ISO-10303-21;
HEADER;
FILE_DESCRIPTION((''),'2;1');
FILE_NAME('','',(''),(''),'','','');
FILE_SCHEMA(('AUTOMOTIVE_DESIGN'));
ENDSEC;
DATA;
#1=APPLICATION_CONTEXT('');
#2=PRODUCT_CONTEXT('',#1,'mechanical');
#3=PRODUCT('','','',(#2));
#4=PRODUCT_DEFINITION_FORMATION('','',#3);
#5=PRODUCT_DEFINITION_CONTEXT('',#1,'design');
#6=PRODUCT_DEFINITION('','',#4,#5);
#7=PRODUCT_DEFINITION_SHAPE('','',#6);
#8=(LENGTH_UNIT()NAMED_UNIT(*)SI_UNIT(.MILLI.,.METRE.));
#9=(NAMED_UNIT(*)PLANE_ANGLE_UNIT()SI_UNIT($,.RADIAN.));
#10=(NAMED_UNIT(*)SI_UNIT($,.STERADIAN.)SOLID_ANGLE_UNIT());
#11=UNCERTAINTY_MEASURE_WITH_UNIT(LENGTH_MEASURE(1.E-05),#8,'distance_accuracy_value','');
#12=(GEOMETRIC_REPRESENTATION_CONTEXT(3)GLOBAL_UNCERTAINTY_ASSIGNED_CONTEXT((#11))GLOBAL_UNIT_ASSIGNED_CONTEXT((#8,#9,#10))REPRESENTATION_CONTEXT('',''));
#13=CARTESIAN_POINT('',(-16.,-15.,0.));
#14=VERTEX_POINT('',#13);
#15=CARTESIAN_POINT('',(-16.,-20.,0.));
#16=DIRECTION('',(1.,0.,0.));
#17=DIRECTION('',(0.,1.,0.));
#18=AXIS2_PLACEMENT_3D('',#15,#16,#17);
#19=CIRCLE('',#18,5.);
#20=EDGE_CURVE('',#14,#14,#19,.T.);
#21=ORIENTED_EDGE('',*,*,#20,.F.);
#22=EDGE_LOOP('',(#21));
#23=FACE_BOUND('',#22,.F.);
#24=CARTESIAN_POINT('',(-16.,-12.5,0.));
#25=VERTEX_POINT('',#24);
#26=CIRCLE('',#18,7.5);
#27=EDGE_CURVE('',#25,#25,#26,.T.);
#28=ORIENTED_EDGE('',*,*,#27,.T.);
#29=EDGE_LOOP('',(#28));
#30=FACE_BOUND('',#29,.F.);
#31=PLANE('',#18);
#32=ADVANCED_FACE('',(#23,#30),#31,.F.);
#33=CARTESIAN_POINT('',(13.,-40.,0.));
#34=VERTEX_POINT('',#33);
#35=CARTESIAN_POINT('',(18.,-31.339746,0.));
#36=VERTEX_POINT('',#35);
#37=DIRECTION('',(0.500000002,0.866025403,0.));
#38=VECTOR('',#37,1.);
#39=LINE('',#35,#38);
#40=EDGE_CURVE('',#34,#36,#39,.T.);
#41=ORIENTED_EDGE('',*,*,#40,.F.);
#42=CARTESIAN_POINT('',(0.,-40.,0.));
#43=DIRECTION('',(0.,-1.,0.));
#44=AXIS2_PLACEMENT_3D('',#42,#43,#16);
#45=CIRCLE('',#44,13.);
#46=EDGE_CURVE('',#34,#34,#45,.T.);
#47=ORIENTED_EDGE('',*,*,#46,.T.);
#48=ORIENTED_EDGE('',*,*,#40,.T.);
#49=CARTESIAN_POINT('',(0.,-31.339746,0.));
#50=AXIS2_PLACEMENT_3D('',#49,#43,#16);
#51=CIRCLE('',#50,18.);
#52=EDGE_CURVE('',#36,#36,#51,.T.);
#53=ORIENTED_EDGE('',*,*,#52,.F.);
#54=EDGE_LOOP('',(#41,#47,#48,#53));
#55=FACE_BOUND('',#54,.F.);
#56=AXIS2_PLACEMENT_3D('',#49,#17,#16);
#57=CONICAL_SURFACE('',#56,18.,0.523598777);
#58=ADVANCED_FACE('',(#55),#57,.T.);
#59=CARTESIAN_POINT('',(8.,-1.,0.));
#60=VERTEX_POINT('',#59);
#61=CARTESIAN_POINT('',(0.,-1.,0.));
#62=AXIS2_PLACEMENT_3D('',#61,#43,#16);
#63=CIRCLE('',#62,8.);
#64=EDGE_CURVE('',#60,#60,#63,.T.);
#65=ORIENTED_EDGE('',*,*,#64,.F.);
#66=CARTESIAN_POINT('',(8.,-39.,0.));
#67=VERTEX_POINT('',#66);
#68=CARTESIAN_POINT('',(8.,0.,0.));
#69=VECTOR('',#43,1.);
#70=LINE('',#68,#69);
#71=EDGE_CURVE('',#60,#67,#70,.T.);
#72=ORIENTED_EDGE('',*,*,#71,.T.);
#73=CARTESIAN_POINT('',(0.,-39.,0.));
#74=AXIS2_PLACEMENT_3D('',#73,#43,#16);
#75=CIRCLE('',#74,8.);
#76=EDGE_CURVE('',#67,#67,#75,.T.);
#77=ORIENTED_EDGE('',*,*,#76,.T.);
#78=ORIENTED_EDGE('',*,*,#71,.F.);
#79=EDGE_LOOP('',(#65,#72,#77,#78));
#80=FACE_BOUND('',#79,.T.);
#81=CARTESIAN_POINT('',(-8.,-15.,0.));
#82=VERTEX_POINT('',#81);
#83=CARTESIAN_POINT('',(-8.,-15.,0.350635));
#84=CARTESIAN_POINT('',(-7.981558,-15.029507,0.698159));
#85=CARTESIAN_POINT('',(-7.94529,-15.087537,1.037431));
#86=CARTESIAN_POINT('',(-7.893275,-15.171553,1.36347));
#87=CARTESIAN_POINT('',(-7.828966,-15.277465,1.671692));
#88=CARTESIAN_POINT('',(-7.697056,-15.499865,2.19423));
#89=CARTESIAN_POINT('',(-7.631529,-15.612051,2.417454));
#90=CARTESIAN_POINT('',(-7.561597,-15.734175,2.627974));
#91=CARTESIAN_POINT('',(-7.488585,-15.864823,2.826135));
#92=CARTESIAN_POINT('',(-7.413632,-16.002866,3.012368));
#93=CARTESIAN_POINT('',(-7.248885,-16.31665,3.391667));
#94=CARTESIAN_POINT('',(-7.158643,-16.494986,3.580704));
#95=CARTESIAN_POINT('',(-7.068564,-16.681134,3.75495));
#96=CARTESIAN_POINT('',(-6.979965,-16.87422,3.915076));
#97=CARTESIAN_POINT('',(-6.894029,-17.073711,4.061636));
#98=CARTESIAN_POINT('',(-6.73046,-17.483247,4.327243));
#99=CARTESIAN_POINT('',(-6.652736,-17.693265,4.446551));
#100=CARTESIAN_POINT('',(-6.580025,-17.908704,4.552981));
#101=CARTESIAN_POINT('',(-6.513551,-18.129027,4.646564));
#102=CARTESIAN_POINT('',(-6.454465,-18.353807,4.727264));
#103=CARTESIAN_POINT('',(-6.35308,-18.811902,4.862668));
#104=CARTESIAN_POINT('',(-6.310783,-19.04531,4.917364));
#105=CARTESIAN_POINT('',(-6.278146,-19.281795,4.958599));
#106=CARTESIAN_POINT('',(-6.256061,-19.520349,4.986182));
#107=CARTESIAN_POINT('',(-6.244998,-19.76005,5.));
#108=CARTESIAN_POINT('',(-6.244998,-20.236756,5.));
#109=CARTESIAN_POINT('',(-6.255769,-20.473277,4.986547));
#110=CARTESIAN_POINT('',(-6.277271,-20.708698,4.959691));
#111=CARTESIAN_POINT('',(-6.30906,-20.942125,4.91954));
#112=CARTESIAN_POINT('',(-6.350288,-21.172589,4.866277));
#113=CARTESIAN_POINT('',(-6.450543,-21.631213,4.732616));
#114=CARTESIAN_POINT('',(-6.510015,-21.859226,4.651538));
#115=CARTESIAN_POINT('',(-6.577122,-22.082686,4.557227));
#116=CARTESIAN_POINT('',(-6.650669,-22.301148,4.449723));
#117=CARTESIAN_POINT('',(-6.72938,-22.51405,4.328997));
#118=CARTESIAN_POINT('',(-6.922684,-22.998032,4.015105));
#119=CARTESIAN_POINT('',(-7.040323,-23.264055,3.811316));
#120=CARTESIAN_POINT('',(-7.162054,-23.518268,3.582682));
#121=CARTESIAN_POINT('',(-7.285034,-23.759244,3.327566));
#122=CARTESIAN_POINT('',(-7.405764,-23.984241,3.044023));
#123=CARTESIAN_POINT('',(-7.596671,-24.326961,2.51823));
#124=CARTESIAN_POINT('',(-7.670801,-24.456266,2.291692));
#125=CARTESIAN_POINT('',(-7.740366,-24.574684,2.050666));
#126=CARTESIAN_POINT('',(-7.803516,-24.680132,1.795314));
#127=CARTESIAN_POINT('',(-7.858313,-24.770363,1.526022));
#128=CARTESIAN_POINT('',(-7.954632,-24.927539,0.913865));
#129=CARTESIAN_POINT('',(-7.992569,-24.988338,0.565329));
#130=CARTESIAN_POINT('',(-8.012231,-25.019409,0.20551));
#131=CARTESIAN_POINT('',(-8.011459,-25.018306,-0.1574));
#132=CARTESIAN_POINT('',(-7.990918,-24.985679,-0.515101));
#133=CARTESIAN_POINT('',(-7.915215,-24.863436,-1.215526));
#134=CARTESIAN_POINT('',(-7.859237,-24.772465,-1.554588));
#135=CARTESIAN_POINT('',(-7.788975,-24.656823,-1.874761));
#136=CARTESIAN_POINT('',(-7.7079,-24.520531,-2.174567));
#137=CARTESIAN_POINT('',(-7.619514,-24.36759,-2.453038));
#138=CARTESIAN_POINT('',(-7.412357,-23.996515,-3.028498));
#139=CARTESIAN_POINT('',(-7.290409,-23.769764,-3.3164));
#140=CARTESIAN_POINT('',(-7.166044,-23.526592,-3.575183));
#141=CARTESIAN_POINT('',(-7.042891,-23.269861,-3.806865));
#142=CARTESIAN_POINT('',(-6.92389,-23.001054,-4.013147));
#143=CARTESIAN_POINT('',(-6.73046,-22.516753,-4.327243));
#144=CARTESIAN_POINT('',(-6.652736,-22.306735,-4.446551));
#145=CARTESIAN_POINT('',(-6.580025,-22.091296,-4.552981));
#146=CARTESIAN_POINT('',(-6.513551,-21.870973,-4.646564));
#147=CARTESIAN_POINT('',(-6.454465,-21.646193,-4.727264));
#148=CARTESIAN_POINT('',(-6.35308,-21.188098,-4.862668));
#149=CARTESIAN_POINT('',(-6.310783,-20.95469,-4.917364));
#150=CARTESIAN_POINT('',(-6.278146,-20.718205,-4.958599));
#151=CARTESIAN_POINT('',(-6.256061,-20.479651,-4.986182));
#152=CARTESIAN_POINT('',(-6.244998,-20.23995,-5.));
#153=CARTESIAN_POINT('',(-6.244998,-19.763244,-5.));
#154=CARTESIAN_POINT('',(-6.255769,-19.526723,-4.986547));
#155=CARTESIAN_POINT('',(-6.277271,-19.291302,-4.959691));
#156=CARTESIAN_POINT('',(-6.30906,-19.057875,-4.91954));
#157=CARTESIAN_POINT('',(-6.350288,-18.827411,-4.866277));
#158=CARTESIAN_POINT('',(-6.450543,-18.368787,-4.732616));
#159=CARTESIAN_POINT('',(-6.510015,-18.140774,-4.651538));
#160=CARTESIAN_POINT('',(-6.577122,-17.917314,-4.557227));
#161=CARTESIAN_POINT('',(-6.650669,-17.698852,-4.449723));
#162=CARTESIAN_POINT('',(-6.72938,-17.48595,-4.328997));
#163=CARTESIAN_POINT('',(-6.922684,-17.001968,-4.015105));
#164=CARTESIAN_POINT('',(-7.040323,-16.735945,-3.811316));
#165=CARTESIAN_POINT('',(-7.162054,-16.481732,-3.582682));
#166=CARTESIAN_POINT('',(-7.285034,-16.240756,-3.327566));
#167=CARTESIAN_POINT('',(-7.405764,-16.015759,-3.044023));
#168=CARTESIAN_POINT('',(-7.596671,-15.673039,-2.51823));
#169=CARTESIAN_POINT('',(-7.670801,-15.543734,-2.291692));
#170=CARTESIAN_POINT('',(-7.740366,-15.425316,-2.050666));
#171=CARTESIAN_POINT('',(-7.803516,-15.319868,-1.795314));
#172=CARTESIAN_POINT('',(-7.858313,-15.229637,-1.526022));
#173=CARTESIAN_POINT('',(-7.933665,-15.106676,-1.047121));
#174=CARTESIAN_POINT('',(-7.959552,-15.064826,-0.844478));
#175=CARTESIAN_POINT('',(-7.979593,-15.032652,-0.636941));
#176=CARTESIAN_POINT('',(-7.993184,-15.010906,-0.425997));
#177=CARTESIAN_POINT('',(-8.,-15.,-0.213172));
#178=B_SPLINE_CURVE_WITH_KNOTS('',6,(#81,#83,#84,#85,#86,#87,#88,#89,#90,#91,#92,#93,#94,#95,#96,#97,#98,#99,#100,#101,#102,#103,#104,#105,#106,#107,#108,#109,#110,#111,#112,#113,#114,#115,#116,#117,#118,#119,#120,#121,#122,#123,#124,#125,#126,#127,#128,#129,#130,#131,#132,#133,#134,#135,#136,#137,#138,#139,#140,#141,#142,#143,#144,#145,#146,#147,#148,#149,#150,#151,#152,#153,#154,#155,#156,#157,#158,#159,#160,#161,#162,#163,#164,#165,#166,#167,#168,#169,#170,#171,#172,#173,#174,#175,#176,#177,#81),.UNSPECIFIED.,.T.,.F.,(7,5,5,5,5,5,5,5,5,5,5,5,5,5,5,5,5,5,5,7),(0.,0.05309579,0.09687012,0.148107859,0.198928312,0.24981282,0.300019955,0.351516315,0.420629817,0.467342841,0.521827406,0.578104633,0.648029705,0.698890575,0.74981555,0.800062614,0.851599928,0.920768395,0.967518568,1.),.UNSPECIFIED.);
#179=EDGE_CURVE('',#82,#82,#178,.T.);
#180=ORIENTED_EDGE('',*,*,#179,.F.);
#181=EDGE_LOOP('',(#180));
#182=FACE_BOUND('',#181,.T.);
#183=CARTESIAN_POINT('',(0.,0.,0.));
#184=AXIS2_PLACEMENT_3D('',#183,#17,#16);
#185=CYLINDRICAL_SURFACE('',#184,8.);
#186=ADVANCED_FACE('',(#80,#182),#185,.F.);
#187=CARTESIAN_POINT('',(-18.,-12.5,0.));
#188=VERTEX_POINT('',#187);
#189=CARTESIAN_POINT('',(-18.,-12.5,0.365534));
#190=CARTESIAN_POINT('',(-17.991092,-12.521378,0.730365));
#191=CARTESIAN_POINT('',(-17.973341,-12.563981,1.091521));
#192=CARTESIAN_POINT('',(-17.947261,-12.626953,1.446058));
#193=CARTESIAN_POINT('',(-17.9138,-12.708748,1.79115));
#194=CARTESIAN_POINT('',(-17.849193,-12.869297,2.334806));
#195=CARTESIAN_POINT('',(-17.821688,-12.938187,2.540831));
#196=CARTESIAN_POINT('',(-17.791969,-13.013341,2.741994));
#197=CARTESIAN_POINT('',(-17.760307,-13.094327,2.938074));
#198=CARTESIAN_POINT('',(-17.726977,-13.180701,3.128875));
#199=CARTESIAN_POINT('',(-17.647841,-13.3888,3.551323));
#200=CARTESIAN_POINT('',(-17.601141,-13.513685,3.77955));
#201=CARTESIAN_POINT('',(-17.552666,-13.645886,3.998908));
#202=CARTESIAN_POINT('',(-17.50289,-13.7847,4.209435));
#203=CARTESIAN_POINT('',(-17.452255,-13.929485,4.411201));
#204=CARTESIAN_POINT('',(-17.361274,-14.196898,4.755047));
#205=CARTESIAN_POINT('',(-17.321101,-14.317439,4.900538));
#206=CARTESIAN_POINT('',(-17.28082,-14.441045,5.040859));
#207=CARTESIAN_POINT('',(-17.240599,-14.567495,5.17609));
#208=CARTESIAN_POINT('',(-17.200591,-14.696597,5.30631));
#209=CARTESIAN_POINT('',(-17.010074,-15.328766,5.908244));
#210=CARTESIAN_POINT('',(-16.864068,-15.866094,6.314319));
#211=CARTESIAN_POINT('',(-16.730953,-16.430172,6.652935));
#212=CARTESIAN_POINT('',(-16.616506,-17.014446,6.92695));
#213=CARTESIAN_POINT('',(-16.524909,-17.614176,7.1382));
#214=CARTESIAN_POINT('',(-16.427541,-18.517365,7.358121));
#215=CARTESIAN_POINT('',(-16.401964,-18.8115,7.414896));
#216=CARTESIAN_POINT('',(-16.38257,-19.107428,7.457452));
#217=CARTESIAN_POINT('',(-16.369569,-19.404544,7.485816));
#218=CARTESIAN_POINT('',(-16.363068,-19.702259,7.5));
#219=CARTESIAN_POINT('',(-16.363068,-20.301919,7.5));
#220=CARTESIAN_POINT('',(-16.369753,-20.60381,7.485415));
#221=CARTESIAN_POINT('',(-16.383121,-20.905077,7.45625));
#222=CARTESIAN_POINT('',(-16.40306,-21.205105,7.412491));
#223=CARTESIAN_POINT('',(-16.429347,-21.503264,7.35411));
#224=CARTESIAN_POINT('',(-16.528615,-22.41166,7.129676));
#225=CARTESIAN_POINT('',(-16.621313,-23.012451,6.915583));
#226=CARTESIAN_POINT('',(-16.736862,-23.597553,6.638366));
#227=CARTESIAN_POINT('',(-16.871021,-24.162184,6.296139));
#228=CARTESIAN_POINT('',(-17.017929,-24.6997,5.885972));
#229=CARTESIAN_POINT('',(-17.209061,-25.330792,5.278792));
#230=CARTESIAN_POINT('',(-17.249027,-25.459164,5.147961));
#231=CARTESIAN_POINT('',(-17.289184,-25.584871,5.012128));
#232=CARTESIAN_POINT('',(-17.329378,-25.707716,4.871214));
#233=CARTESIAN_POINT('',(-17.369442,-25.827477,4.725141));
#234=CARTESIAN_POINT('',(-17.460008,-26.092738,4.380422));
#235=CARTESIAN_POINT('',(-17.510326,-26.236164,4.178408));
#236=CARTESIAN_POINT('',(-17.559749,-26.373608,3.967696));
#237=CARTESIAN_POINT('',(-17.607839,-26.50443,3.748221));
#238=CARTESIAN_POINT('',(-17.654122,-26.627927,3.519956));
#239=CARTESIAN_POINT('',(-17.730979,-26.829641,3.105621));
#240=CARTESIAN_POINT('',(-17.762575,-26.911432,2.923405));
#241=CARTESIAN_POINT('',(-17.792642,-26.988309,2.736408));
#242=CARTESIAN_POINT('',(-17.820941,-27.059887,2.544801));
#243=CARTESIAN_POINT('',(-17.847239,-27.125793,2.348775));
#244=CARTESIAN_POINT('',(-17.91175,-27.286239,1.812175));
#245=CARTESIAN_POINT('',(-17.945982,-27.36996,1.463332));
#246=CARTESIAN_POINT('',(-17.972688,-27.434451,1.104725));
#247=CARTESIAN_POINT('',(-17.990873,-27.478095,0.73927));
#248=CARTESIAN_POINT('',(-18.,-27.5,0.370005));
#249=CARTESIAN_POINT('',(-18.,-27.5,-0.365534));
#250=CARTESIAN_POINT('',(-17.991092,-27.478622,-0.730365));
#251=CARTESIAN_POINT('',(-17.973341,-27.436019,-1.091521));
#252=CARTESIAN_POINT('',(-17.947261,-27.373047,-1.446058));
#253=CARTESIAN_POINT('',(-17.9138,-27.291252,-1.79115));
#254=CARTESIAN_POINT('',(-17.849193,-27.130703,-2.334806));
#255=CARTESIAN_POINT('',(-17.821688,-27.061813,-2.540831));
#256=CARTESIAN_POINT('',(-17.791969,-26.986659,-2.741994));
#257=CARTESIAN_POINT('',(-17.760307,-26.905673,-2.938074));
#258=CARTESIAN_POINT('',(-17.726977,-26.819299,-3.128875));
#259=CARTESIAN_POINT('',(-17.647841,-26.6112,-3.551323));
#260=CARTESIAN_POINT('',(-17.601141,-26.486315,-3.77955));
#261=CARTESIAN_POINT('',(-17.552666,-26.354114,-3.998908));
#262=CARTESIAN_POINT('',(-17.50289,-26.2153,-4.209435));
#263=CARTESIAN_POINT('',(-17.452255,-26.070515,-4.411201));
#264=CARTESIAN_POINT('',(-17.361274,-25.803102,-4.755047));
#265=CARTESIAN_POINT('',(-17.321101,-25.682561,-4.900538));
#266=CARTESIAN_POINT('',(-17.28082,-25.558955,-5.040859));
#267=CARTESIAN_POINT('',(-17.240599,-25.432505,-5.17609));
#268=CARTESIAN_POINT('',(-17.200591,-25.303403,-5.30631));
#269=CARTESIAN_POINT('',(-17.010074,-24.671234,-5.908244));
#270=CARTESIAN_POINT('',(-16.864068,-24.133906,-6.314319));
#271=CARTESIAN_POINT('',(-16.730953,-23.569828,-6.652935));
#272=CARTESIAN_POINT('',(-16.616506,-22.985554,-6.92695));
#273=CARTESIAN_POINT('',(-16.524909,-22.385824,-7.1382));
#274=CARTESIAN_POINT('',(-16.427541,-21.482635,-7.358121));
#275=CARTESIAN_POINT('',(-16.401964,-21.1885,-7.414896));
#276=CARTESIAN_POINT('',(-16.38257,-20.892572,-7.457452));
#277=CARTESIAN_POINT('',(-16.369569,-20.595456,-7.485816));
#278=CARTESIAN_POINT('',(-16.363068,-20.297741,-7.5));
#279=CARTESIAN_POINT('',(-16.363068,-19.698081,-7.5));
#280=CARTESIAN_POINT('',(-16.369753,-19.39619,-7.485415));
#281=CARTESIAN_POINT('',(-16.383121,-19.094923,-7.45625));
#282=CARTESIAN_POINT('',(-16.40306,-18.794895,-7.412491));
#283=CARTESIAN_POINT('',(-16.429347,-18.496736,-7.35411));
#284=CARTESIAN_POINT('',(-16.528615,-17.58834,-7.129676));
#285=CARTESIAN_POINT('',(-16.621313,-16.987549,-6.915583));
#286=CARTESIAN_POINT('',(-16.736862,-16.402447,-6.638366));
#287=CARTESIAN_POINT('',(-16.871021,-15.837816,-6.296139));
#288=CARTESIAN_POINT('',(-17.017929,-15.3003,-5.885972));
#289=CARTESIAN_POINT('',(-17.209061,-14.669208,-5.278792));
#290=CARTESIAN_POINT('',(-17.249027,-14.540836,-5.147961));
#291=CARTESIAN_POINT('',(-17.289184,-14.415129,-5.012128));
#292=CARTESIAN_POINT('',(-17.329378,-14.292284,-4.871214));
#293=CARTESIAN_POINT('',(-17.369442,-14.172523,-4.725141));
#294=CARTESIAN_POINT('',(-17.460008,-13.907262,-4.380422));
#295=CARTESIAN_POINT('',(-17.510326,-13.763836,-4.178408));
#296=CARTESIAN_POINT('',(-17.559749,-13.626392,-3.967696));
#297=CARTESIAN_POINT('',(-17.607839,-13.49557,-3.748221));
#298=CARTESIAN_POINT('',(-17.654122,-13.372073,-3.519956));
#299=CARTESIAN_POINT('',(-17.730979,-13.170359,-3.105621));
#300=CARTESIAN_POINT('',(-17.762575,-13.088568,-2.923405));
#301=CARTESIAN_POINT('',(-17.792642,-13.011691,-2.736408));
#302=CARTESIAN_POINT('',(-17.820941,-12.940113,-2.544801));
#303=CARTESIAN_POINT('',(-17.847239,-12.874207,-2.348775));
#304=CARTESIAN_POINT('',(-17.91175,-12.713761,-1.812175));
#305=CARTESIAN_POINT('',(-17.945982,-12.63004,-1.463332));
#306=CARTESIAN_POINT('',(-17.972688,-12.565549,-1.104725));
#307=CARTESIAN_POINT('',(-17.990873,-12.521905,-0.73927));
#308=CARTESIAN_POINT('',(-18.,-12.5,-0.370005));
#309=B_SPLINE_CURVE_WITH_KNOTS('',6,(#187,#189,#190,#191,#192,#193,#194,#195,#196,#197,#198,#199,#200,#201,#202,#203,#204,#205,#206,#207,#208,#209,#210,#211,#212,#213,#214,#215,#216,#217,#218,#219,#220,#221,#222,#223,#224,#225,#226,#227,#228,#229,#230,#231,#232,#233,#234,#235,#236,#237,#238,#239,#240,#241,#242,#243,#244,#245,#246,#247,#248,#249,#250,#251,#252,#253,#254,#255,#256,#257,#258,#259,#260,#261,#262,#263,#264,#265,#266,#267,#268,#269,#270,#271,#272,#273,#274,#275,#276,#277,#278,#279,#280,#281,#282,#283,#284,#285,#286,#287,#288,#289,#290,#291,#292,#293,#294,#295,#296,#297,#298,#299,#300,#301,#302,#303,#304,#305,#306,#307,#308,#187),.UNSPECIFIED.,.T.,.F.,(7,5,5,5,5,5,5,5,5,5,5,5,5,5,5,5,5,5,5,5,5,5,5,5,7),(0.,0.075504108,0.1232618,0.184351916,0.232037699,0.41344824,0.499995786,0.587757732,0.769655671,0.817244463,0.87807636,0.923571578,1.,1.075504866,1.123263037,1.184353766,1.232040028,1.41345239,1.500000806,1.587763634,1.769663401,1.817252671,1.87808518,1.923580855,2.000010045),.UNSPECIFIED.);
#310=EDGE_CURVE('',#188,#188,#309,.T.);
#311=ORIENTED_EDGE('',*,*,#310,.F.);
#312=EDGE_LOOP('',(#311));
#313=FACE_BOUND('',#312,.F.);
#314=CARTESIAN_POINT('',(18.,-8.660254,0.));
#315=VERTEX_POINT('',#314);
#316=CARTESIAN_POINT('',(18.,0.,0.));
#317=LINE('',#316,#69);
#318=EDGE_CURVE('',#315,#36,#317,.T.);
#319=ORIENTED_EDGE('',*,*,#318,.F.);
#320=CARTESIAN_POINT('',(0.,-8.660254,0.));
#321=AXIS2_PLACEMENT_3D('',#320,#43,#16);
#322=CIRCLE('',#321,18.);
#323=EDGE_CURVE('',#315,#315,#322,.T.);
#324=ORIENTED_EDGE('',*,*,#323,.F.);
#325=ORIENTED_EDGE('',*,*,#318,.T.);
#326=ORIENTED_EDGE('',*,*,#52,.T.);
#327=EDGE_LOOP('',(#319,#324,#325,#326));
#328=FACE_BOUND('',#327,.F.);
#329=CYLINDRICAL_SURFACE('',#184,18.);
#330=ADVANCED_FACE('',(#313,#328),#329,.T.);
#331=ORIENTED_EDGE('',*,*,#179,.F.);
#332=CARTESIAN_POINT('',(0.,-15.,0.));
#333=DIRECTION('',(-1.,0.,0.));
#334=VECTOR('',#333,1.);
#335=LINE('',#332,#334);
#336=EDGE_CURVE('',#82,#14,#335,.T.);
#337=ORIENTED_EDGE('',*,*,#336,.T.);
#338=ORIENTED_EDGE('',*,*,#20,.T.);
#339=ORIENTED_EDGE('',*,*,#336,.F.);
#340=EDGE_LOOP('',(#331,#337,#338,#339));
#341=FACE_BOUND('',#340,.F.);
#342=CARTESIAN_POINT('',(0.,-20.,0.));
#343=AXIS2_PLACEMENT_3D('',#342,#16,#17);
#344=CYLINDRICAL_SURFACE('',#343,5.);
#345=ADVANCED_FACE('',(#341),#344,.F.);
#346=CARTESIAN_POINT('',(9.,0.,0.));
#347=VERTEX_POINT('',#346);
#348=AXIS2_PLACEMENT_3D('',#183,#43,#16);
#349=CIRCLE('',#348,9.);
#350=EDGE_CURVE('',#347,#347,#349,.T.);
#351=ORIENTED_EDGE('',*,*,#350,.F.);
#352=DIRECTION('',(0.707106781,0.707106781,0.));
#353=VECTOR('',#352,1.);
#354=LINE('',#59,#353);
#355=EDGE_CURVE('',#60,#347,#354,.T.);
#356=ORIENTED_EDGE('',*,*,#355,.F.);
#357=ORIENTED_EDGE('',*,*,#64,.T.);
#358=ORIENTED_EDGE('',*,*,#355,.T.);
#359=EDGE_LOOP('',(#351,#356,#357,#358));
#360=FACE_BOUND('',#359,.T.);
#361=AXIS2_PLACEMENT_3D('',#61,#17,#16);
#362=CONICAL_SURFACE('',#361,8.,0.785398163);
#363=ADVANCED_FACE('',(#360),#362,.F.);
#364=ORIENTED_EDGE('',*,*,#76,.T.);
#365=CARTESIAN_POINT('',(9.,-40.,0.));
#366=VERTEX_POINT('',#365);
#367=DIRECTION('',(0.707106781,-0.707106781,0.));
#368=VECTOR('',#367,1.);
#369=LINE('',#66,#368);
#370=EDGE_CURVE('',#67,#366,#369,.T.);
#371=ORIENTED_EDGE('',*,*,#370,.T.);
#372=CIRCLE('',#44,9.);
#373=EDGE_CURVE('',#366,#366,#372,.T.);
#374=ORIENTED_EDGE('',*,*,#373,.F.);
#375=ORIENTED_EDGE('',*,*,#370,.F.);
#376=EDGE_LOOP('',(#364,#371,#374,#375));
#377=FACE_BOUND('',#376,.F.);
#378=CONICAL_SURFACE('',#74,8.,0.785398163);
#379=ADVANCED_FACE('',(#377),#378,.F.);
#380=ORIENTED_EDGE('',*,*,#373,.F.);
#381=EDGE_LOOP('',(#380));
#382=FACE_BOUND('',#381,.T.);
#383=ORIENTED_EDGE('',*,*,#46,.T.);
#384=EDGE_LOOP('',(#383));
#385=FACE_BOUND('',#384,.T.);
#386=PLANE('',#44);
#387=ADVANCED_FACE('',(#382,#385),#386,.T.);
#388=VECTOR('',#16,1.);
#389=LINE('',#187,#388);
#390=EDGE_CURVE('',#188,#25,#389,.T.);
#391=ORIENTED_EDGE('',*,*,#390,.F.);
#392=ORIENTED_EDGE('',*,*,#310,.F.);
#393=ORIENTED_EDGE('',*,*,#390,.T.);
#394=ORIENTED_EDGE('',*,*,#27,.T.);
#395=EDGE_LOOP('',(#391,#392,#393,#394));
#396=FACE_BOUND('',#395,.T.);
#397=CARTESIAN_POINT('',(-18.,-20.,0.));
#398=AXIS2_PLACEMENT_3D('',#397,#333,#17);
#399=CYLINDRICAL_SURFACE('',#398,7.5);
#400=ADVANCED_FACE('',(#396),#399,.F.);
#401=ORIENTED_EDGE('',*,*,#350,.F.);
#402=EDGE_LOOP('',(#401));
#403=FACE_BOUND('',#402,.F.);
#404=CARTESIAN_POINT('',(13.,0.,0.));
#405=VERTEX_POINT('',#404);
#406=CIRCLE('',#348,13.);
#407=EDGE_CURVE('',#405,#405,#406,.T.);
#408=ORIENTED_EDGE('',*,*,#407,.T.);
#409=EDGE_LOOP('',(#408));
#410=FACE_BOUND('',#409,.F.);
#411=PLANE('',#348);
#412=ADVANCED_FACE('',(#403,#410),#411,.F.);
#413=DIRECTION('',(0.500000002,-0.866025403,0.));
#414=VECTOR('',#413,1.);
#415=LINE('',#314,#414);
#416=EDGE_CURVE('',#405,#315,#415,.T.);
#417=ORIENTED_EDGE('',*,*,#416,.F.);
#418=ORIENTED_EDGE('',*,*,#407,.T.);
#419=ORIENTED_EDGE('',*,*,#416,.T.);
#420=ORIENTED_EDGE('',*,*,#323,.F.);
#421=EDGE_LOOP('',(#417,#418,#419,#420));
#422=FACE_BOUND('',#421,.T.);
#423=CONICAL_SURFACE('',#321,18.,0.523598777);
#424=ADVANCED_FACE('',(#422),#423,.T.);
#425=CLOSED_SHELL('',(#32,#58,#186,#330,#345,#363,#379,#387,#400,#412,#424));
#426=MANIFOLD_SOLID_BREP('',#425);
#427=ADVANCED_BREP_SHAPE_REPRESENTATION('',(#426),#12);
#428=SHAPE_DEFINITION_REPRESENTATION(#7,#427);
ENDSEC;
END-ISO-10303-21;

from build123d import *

# Parameters (mm, degrees)
F0_R     = 18
F0_R_2   = 8
F1_DEPTH = 40
F2_R     = 5
F3_DEPTH = 25
F5_R     = 7.5
F6_DEPTH = 2
F7_SIZE  = 1
F8_SIZE2 = 8.660254
F8_SIZE  = 5


with BuildPart() as f1:
    # F0 (on Front) → F1 (new body)
    with BuildSketch(Plane.XZ):
        Circle(F0_R)
        Circle(F0_R_2, mode=Mode.SUBTRACT)
    extrude(amount=F1_DEPTH)

    # F2 (on Right) → F3 (cut)
    with BuildSketch(Plane.YZ):
        with Locations((-20, 0)):
            Circle(F2_R)
    extrude(amount=-F3_DEPTH, mode=Mode.SUBTRACT)

    # F5 (on offset) → F6 (cut)
    with BuildSketch(Plane.YZ.offset(-18)):
        with Locations((-20, 0)):
            Circle(F5_R)
    extrude(amount=F6_DEPTH, mode=Mode.SUBTRACT)

    # F7
    f7_edges = [f1.edges().sort_by_distance(p)[0] for p in [
        (-8, -40, 0),
        (-8, 0, 0),
    ]]
    chamfer(f7_edges, length=F7_SIZE)

    # F8
    f8_edges = [f1.edges().sort_by_distance(p)[0] for p in [
        (-18, -40, 0),
        (-18, 0, 0),
    ]]
    chamfer(f8_edges, length=F8_SIZE, length2=F8_SIZE2)


solid = f1.part
